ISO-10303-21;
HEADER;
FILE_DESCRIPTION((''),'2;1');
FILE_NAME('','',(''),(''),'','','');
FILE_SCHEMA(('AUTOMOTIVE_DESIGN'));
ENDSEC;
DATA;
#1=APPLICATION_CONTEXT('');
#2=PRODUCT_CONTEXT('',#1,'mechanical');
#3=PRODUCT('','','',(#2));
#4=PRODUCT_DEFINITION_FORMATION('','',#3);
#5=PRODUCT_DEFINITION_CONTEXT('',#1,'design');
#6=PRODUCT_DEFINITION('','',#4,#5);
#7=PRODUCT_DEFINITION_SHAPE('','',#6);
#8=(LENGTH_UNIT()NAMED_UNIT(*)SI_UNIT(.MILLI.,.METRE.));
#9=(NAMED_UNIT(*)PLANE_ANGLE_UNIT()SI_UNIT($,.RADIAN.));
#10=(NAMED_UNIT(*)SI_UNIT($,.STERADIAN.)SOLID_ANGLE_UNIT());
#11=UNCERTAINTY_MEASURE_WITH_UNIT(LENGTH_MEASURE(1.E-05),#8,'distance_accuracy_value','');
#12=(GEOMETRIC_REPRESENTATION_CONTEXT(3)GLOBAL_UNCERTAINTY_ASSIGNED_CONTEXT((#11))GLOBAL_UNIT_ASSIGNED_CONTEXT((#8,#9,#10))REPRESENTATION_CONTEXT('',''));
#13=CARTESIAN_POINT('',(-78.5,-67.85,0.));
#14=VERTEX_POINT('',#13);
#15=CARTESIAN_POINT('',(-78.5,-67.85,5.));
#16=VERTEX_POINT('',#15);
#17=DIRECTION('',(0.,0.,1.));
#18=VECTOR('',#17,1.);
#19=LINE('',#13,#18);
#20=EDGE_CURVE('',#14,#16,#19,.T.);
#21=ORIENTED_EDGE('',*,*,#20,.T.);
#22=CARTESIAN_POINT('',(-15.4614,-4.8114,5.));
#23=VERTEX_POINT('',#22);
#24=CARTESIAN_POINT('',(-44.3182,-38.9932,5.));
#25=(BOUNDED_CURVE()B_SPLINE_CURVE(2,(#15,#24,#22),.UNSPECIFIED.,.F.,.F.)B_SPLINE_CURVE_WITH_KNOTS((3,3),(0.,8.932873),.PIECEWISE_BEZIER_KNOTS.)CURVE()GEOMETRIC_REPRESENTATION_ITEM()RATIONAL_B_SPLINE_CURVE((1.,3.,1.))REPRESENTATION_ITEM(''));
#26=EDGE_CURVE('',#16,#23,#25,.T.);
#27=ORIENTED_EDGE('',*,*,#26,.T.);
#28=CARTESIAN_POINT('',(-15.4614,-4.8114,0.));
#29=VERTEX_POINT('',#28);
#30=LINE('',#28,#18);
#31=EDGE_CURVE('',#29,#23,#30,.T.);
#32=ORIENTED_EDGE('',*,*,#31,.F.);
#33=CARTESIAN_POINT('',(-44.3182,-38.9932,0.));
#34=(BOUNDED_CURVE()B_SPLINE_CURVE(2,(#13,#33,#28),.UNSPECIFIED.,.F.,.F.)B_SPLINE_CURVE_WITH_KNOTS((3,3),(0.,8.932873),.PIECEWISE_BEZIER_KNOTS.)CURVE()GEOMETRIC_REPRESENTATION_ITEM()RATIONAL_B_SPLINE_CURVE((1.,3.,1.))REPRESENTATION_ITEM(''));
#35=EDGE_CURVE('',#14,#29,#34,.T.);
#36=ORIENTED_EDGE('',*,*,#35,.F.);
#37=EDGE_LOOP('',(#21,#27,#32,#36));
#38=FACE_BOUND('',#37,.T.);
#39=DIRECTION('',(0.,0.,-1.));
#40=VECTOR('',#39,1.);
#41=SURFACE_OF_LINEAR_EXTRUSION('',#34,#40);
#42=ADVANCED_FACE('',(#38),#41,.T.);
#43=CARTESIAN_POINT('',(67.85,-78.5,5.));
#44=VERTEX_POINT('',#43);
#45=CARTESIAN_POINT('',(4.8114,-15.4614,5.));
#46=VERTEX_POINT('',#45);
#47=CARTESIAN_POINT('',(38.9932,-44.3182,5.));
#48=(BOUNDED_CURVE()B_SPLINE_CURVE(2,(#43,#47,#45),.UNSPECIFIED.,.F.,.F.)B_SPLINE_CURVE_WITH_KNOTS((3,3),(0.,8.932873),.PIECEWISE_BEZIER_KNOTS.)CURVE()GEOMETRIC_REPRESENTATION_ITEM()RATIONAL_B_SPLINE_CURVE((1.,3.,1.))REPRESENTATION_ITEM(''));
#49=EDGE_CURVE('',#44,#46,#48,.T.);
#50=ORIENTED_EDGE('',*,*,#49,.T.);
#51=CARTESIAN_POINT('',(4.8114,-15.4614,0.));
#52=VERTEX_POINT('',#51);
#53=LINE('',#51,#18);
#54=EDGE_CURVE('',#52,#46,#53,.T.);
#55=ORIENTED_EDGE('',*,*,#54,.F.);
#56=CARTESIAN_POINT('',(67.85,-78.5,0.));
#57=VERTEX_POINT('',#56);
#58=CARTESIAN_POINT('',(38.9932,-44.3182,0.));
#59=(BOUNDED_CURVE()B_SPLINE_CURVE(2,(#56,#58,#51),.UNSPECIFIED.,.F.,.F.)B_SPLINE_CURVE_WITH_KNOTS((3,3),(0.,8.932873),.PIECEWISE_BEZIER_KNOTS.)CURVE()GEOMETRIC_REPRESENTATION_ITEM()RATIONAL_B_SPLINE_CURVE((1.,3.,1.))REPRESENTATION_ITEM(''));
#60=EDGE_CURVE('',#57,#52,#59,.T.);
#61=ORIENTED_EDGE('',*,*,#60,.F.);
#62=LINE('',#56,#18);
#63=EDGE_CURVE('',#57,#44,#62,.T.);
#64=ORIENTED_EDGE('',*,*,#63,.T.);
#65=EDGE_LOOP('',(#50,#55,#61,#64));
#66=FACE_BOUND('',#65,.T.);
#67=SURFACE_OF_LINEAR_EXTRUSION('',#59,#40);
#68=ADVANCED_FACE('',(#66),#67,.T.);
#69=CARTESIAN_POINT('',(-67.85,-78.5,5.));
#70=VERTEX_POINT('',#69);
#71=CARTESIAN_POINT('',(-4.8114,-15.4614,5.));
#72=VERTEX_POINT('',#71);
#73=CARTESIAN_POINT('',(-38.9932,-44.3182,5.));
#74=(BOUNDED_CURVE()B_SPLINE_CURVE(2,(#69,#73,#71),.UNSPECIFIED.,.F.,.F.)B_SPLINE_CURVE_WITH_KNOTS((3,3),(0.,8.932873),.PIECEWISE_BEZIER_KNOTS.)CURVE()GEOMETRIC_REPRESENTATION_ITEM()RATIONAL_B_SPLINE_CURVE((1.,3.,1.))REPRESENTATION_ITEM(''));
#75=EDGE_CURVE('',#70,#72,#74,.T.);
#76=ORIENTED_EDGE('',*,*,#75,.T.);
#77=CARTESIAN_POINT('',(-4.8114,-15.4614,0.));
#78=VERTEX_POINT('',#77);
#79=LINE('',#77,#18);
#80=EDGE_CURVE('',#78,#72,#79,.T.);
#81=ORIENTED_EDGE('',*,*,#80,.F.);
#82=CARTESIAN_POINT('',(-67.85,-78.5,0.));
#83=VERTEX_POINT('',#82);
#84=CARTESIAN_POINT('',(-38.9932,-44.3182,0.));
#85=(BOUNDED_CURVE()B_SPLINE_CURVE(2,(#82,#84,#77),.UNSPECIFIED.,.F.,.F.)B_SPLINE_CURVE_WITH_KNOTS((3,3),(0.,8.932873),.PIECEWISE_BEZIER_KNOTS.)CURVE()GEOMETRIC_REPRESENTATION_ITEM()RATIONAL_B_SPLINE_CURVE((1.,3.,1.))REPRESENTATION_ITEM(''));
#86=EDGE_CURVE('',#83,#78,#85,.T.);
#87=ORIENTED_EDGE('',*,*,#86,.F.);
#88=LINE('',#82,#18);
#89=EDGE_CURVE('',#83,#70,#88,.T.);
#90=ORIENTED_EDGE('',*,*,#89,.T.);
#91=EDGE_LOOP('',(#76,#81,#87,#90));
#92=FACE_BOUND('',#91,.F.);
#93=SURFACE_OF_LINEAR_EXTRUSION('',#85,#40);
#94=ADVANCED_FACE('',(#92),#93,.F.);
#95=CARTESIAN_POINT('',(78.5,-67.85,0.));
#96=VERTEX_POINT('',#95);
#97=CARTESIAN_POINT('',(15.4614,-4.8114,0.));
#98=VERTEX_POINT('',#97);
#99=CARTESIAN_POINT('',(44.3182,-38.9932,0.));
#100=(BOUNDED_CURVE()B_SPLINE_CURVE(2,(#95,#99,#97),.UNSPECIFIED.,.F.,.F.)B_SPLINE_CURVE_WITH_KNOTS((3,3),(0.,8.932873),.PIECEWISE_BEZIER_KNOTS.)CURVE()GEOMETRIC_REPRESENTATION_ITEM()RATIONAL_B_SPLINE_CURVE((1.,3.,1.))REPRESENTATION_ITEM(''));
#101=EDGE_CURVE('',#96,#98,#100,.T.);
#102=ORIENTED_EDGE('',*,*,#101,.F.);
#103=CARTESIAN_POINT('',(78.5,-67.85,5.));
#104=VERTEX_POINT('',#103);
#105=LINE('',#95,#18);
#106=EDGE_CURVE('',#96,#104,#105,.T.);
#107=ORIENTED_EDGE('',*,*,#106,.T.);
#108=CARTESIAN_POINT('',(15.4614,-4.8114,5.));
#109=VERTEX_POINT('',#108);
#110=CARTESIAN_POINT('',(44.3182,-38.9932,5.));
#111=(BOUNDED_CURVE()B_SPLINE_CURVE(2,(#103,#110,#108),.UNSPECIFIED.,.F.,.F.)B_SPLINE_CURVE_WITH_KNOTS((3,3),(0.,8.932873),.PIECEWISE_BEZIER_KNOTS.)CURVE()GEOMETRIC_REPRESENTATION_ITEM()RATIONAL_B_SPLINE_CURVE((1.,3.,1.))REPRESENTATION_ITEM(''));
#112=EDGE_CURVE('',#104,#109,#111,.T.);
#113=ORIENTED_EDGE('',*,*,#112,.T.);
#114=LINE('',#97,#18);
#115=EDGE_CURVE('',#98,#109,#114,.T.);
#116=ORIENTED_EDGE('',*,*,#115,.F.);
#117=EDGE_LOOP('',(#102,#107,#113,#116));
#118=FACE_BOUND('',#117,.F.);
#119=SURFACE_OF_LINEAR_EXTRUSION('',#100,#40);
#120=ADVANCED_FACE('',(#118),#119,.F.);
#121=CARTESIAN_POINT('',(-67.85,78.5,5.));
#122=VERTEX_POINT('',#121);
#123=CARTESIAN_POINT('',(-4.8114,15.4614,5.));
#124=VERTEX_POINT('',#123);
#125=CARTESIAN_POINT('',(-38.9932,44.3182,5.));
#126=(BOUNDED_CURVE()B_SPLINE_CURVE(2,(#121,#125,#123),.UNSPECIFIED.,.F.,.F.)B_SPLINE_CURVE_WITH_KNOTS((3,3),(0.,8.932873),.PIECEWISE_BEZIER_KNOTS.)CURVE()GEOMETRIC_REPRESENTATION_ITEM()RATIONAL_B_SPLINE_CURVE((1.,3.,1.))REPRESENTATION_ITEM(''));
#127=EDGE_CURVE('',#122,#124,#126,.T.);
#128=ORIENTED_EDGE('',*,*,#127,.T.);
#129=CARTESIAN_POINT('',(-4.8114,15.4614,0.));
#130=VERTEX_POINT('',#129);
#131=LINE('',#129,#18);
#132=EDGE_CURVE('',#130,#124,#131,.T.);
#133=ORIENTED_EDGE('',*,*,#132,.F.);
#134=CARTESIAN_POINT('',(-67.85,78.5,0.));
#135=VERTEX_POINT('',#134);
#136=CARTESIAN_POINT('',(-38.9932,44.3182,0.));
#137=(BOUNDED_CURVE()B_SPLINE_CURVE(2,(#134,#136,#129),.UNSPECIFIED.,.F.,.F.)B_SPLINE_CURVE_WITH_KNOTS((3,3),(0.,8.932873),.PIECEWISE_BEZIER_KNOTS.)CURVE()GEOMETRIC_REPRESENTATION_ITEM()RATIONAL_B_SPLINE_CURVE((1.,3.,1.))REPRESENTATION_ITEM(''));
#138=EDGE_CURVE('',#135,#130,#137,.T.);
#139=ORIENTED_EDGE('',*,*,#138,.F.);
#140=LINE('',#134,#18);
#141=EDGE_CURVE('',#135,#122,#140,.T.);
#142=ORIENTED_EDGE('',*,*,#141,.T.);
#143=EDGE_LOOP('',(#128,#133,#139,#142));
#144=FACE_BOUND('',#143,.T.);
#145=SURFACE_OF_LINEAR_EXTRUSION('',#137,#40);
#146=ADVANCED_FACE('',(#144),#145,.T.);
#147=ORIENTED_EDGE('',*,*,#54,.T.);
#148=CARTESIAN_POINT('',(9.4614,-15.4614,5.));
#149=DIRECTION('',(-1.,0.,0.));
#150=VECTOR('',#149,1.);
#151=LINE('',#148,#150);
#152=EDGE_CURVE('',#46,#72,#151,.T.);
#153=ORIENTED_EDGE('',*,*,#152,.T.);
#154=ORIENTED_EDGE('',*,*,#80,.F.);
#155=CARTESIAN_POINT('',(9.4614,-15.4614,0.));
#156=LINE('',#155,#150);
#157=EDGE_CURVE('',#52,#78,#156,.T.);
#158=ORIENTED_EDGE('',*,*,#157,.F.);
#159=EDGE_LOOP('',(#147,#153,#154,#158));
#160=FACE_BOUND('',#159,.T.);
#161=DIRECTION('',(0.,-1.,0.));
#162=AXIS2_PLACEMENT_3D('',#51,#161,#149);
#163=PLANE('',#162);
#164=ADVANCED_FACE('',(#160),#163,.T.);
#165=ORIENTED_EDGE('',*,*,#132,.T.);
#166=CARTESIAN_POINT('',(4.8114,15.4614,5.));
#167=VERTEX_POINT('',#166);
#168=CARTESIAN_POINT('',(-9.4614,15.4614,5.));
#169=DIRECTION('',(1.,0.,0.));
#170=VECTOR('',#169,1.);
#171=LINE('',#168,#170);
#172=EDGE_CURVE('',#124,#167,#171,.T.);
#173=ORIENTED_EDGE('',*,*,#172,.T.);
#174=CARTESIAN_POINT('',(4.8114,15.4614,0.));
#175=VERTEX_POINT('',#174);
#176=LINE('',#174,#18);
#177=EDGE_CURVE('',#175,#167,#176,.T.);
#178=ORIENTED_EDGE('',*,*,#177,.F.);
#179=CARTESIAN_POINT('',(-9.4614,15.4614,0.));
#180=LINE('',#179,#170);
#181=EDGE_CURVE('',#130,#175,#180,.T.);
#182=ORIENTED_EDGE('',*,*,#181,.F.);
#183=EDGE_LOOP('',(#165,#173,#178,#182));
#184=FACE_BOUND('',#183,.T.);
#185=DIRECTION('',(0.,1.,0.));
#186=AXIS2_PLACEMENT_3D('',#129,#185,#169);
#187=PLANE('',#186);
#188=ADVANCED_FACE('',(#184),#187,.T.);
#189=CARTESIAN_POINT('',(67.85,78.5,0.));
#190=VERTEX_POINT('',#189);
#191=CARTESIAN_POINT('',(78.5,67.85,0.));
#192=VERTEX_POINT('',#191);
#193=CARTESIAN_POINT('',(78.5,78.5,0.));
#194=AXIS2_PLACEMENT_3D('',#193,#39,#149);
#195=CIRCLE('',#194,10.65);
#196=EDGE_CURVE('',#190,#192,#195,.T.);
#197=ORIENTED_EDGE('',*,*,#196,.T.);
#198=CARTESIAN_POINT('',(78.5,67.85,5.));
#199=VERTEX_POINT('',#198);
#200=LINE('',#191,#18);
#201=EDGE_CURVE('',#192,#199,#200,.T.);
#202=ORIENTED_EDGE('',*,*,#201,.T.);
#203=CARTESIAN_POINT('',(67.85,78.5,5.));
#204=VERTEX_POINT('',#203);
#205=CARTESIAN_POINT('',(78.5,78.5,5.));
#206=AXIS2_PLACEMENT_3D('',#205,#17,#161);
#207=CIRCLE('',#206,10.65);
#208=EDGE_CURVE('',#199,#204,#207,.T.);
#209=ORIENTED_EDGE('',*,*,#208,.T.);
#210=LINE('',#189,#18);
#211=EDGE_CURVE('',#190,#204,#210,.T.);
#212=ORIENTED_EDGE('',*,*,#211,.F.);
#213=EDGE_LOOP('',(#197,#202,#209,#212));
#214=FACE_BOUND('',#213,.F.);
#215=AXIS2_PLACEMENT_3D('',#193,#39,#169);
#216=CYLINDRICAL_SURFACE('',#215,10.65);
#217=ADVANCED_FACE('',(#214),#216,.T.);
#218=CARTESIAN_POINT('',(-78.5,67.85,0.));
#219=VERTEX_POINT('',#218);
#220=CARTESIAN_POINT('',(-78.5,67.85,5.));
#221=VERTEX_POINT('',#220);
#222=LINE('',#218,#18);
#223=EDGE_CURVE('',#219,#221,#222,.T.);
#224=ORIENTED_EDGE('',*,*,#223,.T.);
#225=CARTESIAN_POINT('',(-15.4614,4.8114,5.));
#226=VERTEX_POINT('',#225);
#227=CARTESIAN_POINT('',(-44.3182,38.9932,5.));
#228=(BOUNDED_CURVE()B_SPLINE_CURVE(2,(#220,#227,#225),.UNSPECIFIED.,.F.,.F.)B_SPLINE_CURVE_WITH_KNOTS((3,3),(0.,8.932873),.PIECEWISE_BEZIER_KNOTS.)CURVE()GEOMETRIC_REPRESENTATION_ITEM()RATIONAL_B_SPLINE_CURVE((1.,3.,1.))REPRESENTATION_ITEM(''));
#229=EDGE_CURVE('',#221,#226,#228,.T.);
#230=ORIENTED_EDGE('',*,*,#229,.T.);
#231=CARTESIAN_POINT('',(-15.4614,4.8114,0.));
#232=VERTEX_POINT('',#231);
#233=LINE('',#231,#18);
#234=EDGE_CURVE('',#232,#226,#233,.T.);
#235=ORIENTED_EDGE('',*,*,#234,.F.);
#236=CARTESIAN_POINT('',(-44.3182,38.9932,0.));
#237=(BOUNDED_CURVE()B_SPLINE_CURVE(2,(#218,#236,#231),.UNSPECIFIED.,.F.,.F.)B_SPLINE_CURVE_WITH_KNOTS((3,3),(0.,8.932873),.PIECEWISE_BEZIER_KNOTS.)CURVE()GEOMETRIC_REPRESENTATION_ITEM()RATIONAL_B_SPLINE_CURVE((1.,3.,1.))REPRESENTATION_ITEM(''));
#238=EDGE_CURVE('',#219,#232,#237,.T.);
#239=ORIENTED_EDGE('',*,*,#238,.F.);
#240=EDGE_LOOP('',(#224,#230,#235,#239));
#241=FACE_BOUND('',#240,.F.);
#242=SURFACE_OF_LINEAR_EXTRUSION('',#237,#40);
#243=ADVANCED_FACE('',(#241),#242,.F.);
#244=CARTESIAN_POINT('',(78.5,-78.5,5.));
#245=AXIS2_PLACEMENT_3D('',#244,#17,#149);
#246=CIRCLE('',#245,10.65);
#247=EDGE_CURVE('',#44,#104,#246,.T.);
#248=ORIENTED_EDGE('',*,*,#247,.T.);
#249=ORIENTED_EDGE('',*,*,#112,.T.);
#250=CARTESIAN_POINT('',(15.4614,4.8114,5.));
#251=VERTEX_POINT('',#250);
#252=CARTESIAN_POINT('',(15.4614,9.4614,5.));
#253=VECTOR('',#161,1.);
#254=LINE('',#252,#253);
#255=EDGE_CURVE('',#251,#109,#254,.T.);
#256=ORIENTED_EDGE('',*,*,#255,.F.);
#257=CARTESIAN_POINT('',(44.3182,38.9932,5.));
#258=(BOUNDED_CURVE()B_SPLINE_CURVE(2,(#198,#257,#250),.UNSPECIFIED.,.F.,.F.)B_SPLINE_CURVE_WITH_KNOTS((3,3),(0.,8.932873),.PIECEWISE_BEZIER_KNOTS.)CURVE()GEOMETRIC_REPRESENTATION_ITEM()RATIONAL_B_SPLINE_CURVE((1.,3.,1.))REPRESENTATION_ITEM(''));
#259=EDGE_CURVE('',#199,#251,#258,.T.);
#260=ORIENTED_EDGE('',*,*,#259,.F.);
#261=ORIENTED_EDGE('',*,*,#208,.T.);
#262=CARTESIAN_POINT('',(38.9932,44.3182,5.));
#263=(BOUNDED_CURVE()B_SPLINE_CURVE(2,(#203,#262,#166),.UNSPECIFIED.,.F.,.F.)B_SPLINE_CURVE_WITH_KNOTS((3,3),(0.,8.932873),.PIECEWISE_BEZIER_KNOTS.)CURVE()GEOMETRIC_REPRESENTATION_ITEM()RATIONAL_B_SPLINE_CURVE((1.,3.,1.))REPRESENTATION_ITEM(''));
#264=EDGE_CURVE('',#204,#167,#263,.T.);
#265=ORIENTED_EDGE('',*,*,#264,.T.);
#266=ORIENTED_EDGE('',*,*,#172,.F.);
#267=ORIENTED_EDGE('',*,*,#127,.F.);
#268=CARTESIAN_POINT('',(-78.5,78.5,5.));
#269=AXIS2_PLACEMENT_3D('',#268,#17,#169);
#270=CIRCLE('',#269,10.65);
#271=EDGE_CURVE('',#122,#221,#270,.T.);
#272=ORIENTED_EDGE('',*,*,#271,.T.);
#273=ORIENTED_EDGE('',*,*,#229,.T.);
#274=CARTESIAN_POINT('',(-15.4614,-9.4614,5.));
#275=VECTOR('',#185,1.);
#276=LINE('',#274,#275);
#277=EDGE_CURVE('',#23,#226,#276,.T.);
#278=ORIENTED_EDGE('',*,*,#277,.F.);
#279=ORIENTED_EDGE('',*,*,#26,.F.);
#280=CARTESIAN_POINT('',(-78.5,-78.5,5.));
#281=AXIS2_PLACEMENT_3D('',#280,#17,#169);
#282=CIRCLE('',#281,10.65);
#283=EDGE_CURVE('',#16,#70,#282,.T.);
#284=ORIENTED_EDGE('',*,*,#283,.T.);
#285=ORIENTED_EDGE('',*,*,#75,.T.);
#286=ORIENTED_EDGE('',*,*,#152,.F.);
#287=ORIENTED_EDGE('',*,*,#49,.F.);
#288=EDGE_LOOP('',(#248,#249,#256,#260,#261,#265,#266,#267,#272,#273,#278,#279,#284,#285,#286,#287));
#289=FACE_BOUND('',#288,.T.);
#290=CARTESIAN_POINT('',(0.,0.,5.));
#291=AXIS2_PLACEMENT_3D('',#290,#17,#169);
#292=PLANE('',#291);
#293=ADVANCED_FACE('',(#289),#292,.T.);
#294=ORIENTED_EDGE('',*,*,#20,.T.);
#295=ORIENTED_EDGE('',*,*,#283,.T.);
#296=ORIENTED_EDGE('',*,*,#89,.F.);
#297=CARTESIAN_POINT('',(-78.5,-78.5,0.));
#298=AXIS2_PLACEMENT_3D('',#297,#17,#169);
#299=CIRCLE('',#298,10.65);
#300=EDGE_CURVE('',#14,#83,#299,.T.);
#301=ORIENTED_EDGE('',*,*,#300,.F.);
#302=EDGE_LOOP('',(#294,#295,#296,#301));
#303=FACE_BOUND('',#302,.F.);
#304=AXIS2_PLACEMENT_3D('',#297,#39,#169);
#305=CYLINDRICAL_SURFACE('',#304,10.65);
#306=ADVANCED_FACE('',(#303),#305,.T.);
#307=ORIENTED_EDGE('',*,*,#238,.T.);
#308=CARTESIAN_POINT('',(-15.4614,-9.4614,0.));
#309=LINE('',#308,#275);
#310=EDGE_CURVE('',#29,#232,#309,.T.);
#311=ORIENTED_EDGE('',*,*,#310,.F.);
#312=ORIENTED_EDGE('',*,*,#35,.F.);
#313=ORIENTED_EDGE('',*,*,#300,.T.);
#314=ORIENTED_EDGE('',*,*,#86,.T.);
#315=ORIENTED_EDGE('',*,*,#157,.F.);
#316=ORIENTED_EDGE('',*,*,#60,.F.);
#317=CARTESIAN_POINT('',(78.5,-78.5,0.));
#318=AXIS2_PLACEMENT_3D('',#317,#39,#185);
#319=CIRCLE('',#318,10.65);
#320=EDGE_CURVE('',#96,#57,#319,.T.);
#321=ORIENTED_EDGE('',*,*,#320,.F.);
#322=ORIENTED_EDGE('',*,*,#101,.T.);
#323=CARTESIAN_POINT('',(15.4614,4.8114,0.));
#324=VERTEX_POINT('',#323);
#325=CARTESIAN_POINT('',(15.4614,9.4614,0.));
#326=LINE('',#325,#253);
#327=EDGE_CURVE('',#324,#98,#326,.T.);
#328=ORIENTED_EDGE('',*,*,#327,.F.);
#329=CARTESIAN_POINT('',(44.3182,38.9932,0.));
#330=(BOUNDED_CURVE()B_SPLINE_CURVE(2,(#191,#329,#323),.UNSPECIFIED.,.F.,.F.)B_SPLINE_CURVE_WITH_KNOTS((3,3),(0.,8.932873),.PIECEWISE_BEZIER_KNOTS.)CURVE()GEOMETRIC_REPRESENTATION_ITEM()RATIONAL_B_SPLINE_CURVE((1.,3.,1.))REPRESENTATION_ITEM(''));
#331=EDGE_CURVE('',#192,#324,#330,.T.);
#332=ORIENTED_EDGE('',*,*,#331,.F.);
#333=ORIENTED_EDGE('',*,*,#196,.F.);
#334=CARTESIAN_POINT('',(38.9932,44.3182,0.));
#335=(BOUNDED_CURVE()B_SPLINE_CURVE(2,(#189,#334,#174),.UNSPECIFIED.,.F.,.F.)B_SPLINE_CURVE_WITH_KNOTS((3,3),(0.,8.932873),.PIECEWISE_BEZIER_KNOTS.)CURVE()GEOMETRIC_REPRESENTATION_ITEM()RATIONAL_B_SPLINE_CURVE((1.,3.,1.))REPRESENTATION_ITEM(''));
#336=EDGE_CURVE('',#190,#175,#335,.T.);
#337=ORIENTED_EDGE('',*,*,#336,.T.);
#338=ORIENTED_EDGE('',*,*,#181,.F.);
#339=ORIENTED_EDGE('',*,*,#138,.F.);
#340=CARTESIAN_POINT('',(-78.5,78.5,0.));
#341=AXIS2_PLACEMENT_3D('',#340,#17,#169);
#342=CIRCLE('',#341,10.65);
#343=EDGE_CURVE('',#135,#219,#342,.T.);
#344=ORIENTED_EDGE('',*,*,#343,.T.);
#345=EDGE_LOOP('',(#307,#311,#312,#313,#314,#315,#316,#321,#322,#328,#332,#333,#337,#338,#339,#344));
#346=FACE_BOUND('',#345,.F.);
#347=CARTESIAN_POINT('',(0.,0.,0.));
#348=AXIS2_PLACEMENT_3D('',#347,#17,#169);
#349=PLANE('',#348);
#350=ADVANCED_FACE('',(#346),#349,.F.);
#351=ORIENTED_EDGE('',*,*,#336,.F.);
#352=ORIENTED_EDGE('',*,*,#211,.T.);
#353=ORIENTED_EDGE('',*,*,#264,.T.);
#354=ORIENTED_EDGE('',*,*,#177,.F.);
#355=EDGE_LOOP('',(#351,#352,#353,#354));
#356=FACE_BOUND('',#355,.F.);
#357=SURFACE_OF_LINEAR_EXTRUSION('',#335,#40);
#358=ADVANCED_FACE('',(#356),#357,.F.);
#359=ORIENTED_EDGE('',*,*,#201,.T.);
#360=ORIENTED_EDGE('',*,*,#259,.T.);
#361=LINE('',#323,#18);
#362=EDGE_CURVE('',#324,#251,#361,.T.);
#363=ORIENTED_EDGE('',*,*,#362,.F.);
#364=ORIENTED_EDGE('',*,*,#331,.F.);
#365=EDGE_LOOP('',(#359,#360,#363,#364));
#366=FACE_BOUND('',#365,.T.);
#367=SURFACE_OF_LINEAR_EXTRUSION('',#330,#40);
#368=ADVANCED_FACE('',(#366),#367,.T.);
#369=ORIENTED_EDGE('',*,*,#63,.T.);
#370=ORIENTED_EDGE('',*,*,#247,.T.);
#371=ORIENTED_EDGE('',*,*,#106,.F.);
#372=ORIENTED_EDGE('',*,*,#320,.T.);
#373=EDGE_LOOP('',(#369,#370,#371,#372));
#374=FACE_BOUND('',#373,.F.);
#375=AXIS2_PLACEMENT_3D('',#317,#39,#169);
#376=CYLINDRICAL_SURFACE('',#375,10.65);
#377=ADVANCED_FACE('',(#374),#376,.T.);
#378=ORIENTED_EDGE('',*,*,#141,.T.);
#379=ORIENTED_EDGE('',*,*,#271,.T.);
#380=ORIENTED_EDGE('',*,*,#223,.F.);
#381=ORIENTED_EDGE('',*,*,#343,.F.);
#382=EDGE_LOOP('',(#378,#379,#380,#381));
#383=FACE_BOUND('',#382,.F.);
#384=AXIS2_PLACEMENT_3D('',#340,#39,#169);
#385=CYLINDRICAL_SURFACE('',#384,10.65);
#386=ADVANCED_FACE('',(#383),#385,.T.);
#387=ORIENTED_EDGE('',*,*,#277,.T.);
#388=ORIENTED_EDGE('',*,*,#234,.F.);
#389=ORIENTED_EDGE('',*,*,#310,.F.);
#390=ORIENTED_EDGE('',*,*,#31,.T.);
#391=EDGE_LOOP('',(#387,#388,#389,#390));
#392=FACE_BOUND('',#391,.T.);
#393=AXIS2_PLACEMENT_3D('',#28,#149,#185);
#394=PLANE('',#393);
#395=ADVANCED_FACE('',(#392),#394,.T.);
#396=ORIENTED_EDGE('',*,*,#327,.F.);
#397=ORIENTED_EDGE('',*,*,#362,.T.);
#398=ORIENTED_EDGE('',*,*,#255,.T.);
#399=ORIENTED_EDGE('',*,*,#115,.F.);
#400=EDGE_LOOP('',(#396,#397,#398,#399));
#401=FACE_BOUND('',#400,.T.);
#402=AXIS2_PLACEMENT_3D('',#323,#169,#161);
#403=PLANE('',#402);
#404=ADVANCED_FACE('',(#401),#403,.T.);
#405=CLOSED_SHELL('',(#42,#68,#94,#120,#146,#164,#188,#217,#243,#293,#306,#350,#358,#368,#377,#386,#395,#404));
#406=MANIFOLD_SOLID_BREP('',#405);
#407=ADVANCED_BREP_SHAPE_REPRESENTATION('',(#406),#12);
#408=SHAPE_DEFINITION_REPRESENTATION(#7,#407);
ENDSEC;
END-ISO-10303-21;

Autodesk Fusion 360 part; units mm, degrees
sketch "Esboço1" plane through (0, 0, 0) normal (0, 0, 1) x (1, 0, 0)
  circle A0 centre (-78.5, 78.5) radius 10.65
  circle A1 centre (78.5, 78.5) radius 10.65
  circle A2 centre (-78.5, -78.5) radius 10.65
  circle A3 centre (78.5, -78.5) radius 10.65
  line L0 (-70.9693, 70.9693) -> (-15.4614, 15.4614)
  line L1 (-78.5, 0) -> (78.5, 0) construction
  line L2 (0, 78.5) -> (0, -78.5) construction
  line L3 (-70.9693, -70.9693) -> (-15.4614, -15.4614)
  line L4 (70.9693, 70.9693) -> (15.4614, 15.4614)
  line L5 (70.9693, -70.9693) -> (15.4614, -15.4614)
  line L6 (9.4614, -15.4614) -> (-9.4614, -15.4614)
  line L7 (-15.4614, -9.4614) -> (-15.4614, 9.4614)
  line L8 (-9.4614, 15.4614) -> (9.4614, 15.4614)
  line L9 (15.4614, 9.4614) -> (15.4614, -9.4614)
  line L10 (-46.9807, 36.3307) -> (-41.6557, 41.6557) construction
  line L11 (-36.3307, 46.9807) -> (-41.6557, 41.6557) construction
  spline S0 degree 2 poles (-78.5, 67.85) (-44.3182, 38.9932) (-15.4614, 4.8114) knots 0 0 0 8.932873 8.932873 8.932873 weights 1 3 1
  spline S1 degree 2 poles (-67.85, 78.5) (-38.9932, 44.3182) (-4.8114, 15.4614) knots 0 0 0 8.932873 8.932873 8.932873 weights 1 3 1
  spline S2 degree 2 poles (78.5, 67.85) (44.3182, 38.9932) (15.4614, 4.8114) knots 0 0 0 8.932873 8.932873 8.932873 weights 1 3 1
  spline S3 degree 2 poles (67.85, 78.5) (38.9932, 44.3182) (4.8114, 15.4614) knots 0 0 0 8.932873 8.932873 8.932873 weights 1 3 1
  spline S4 degree 2 poles (-78.5, -67.85) (-44.3182, -38.9932) (-15.4614, -4.8114) knots 0 0 0 8.932873 8.932873 8.932873 weights 1 3 1
  spline S5 degree 2 poles (-67.85, -78.5) (-38.9932, -44.3182) (-4.8114, -15.4614) knots 0 0 0 8.932873 8.932873 8.932873 weights 1 3 1
  spline S6 degree 2 poles (67.85, -78.5) (38.9932, -44.3182) (4.8114, -15.4614) knots 0 0 0 8.932873 8.932873 8.932873 weights 1 3 1
  spline S7 degree 2 poles (78.5, -67.85) (44.3182, -38.9932) (15.4614, -4.8114) knots 0 0 0 8.932873 8.932873 8.932873 weights 1 3 1
  arc A4 (-9.4614, 15.4614) -> (-15.4614, 9.4614) centre (-9.4614, 9.4614) ccw
  arc A5 (15.4614, 9.4614) -> (9.4614, 15.4614) centre (9.4614, 9.4614) ccw
  arc A6 (-15.4614, -9.4614) -> (-9.4614, -15.4614) centre (-9.4614, -9.4614) ccw
  arc A7 (9.4614, -15.4614) -> (15.4614, -9.4614) centre (9.4614, -9.4614) ccw
  dimension "d1" = 157
  dimension "d2" = 157
  dimension "d3" = 21.3
  dimension "d4" = 21.3
  dimension "d5" = 21.3
  dimension "d6" = 21.3
  dimension "d7" = 78.5
  dimension "d16" = 6
  dimension "d17" = 6
extrude "Extrusão1" add sketch "Esboço1" along normal blind 5
